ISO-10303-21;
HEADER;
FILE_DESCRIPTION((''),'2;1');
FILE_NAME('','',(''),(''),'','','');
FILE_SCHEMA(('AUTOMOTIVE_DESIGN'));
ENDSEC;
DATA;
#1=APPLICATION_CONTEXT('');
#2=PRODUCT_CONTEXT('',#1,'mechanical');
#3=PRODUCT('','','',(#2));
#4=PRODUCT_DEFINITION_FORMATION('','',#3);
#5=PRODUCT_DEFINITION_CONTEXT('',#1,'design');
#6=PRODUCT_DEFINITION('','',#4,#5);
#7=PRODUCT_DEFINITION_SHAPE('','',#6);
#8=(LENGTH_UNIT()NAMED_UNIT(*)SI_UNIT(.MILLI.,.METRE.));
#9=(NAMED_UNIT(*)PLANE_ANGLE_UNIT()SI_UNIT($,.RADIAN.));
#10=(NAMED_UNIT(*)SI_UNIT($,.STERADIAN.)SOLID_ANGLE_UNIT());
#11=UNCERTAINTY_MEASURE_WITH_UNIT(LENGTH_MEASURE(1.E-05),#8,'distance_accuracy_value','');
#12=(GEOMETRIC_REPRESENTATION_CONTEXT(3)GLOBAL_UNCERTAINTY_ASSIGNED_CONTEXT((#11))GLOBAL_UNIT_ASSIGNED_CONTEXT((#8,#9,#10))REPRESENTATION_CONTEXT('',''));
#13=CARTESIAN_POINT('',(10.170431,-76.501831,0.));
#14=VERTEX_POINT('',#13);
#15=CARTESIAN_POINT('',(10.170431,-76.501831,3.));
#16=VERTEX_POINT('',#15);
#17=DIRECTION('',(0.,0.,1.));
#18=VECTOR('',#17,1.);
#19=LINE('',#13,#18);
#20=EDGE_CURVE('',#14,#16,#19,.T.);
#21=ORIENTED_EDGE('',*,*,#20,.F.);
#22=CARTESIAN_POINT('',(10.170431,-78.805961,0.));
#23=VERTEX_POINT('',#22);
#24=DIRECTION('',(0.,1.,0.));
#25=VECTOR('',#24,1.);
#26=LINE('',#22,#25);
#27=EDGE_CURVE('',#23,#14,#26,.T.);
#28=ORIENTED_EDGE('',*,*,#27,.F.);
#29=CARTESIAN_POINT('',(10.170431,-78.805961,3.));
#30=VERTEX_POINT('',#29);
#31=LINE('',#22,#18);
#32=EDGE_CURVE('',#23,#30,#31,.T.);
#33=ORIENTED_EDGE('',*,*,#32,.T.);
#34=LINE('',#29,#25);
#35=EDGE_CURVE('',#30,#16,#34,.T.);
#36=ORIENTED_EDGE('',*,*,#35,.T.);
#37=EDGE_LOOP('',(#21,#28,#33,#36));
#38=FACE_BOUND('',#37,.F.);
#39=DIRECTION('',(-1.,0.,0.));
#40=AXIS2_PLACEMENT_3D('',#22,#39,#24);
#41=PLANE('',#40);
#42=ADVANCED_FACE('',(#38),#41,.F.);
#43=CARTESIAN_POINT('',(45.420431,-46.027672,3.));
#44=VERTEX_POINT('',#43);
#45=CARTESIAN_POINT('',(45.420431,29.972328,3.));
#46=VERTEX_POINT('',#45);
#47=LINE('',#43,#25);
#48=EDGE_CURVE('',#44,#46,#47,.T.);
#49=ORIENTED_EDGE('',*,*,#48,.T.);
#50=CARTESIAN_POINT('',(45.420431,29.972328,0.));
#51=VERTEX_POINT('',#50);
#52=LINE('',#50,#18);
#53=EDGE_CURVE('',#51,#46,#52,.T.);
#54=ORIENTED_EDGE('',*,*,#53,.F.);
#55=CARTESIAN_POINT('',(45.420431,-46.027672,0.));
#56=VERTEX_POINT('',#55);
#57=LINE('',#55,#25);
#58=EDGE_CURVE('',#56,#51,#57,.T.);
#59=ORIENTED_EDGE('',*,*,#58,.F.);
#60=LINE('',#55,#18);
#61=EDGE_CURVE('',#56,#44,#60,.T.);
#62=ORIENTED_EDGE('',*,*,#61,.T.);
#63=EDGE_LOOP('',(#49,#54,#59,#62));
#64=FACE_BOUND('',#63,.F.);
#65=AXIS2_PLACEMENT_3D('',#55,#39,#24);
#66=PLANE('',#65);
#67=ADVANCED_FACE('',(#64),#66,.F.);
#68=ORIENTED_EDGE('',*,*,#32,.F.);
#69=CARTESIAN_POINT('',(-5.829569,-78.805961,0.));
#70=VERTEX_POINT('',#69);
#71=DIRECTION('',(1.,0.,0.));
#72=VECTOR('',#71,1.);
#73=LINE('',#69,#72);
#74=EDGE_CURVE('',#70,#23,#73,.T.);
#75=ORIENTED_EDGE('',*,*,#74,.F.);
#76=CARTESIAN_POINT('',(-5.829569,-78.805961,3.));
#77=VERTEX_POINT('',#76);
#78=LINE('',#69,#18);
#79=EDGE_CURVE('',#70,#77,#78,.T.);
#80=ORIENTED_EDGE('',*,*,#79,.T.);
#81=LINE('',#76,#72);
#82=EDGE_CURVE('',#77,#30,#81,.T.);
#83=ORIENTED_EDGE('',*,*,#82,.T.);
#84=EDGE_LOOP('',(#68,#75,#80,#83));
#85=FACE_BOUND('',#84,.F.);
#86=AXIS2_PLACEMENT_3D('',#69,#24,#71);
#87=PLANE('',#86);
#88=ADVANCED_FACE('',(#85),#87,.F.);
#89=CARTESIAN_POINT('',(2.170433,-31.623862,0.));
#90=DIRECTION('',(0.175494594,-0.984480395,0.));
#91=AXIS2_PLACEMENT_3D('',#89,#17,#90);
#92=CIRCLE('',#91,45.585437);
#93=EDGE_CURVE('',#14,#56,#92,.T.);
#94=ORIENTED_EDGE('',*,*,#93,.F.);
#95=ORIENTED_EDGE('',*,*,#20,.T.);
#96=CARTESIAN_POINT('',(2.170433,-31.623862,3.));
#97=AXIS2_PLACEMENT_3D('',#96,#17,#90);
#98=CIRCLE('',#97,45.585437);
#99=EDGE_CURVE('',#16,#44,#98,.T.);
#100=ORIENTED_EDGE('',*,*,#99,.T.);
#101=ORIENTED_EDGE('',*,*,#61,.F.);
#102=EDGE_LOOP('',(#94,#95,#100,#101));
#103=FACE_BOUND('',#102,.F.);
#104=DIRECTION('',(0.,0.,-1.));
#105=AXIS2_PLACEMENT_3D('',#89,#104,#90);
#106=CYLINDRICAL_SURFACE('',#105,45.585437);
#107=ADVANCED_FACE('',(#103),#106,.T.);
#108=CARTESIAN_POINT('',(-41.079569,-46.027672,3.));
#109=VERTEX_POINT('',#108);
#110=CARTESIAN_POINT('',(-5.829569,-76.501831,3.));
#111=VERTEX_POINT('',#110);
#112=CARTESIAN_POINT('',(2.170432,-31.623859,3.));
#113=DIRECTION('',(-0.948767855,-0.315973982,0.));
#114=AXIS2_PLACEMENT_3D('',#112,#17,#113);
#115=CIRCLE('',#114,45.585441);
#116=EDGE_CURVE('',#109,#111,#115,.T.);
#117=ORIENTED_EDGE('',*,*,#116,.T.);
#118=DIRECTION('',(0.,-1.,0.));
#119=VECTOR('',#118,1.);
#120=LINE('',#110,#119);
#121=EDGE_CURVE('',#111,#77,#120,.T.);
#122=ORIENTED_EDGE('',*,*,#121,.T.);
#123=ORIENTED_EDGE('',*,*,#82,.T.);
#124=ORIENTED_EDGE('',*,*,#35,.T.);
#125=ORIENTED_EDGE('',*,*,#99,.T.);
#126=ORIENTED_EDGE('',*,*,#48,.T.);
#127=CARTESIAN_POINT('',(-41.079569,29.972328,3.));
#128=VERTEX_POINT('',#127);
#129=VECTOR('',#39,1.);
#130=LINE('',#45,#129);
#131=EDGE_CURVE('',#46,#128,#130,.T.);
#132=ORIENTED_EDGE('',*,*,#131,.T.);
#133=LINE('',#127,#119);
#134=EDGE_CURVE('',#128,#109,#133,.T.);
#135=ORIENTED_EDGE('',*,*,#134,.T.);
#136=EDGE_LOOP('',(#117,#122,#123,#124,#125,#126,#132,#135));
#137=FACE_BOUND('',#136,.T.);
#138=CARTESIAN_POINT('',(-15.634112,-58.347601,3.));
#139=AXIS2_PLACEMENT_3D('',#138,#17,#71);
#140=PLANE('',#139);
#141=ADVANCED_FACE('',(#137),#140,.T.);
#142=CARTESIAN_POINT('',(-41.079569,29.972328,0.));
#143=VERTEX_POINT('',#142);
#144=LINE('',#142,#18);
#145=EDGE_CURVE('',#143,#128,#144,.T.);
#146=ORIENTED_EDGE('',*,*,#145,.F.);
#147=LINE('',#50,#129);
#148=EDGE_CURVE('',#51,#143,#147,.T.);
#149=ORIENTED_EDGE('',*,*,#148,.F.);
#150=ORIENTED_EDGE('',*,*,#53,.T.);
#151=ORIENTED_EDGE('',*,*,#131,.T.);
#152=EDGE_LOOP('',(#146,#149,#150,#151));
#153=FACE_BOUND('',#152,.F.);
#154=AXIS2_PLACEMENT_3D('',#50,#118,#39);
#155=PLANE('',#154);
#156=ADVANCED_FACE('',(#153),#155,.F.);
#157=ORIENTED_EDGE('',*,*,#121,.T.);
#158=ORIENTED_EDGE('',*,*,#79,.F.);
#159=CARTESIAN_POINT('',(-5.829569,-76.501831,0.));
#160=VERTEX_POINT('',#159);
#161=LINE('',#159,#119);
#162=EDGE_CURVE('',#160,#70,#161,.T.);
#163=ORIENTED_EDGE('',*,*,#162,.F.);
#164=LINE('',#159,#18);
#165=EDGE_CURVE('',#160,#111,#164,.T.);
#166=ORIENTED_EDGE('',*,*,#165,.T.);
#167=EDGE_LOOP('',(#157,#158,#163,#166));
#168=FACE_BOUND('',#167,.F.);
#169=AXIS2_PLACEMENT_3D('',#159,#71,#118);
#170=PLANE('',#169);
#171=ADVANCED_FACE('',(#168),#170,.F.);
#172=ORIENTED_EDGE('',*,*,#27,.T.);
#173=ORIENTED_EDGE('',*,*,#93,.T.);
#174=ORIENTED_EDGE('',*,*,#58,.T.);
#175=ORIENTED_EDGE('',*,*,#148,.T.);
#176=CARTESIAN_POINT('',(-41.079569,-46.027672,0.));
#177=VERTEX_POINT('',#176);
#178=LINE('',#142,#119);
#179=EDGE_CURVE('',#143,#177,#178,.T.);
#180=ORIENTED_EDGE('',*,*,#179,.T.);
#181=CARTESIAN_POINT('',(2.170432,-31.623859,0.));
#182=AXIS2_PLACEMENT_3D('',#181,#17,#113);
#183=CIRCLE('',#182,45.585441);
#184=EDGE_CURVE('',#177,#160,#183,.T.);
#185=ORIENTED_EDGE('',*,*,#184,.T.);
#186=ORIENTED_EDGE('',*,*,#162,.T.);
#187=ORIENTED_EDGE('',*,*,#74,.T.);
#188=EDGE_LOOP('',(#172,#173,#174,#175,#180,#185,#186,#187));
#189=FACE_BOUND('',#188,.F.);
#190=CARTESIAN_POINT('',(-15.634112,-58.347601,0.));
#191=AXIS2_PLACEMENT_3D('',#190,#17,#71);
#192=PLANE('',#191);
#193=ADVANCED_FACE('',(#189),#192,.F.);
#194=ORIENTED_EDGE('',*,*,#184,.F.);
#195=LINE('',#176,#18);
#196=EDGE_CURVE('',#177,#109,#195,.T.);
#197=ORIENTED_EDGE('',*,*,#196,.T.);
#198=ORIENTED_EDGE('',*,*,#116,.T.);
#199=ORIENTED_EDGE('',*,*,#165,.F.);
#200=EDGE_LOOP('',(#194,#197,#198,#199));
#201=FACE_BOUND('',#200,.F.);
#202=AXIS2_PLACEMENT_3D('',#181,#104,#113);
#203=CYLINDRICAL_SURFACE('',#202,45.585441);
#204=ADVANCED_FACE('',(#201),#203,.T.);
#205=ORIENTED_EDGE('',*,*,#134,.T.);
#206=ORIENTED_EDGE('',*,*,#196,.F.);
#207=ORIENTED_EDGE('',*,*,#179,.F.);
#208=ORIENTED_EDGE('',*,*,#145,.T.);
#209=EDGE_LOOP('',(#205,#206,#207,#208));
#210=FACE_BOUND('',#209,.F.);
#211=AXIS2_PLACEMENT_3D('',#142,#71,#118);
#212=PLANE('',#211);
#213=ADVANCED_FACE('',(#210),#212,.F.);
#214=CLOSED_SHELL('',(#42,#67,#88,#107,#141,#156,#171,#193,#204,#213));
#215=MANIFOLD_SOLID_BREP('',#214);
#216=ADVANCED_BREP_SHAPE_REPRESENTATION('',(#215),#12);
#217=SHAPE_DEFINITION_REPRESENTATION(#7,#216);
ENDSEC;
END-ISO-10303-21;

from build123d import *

# Parameters (mm, degrees)
F1_DEPTH = 3


with BuildPart() as f1:
    # F0 (on Top) → F1 (new body)
    with BuildSketch(Plane.XY):
        with BuildLine():
            Line((2.170431, -46.027672), (-41.079569, -46.027672))
            ThreePointArc((-41.079569, -46.027672), (-27.642472, -66.108974), (-5.829569, -76.501831))
            ThreePointArc((-5.829569, -76.501831), (-1.845179, -77.032088), (2.170431, -77.209299))
            Line((2.170431, -77.209299), (2.170431, -46.027672))
        make_face()
        with BuildLine():
            ThreePointArc((10.170431, -76.501831), (31.983335, -66.108974), (45.420431, -46.027672))
            Line((45.420431, -46.027672), (2.170431, -46.027672))
            Line((2.170431, -46.027672), (2.170431, -77.209299))
            ThreePointArc((2.170431, -77.209299), (6.186042, -77.032088), (10.170431, -76.501831))
        make_face()
        Polygon((45.420431, 29.972328), (-41.079569, 29.972328), (-41.079569, -46.027672), (2.170431, -46.027672), (45.420431, -46.027672), align=None)
        with BuildLine():
            ThreePointArc((2.170431, -77.209299), (-1.845179, -77.032088), (-5.829569, -76.501831))
            Line((-5.829569, -76.501831), (-5.829569, -78.805961))
            Line((-5.829569, -78.805961), (2.170431, -78.805961))
            Line((2.170431, -78.805961), (10.170431, -78.805961))
            Line((10.170431, -78.805961), (10.170431, -76.501831))
            ThreePointArc((10.170431, -76.501831), (6.186042, -77.032088), (2.170431, -77.209299))
        make_face()
    extrude(amount=F1_DEPTH)


solid = f1.part
